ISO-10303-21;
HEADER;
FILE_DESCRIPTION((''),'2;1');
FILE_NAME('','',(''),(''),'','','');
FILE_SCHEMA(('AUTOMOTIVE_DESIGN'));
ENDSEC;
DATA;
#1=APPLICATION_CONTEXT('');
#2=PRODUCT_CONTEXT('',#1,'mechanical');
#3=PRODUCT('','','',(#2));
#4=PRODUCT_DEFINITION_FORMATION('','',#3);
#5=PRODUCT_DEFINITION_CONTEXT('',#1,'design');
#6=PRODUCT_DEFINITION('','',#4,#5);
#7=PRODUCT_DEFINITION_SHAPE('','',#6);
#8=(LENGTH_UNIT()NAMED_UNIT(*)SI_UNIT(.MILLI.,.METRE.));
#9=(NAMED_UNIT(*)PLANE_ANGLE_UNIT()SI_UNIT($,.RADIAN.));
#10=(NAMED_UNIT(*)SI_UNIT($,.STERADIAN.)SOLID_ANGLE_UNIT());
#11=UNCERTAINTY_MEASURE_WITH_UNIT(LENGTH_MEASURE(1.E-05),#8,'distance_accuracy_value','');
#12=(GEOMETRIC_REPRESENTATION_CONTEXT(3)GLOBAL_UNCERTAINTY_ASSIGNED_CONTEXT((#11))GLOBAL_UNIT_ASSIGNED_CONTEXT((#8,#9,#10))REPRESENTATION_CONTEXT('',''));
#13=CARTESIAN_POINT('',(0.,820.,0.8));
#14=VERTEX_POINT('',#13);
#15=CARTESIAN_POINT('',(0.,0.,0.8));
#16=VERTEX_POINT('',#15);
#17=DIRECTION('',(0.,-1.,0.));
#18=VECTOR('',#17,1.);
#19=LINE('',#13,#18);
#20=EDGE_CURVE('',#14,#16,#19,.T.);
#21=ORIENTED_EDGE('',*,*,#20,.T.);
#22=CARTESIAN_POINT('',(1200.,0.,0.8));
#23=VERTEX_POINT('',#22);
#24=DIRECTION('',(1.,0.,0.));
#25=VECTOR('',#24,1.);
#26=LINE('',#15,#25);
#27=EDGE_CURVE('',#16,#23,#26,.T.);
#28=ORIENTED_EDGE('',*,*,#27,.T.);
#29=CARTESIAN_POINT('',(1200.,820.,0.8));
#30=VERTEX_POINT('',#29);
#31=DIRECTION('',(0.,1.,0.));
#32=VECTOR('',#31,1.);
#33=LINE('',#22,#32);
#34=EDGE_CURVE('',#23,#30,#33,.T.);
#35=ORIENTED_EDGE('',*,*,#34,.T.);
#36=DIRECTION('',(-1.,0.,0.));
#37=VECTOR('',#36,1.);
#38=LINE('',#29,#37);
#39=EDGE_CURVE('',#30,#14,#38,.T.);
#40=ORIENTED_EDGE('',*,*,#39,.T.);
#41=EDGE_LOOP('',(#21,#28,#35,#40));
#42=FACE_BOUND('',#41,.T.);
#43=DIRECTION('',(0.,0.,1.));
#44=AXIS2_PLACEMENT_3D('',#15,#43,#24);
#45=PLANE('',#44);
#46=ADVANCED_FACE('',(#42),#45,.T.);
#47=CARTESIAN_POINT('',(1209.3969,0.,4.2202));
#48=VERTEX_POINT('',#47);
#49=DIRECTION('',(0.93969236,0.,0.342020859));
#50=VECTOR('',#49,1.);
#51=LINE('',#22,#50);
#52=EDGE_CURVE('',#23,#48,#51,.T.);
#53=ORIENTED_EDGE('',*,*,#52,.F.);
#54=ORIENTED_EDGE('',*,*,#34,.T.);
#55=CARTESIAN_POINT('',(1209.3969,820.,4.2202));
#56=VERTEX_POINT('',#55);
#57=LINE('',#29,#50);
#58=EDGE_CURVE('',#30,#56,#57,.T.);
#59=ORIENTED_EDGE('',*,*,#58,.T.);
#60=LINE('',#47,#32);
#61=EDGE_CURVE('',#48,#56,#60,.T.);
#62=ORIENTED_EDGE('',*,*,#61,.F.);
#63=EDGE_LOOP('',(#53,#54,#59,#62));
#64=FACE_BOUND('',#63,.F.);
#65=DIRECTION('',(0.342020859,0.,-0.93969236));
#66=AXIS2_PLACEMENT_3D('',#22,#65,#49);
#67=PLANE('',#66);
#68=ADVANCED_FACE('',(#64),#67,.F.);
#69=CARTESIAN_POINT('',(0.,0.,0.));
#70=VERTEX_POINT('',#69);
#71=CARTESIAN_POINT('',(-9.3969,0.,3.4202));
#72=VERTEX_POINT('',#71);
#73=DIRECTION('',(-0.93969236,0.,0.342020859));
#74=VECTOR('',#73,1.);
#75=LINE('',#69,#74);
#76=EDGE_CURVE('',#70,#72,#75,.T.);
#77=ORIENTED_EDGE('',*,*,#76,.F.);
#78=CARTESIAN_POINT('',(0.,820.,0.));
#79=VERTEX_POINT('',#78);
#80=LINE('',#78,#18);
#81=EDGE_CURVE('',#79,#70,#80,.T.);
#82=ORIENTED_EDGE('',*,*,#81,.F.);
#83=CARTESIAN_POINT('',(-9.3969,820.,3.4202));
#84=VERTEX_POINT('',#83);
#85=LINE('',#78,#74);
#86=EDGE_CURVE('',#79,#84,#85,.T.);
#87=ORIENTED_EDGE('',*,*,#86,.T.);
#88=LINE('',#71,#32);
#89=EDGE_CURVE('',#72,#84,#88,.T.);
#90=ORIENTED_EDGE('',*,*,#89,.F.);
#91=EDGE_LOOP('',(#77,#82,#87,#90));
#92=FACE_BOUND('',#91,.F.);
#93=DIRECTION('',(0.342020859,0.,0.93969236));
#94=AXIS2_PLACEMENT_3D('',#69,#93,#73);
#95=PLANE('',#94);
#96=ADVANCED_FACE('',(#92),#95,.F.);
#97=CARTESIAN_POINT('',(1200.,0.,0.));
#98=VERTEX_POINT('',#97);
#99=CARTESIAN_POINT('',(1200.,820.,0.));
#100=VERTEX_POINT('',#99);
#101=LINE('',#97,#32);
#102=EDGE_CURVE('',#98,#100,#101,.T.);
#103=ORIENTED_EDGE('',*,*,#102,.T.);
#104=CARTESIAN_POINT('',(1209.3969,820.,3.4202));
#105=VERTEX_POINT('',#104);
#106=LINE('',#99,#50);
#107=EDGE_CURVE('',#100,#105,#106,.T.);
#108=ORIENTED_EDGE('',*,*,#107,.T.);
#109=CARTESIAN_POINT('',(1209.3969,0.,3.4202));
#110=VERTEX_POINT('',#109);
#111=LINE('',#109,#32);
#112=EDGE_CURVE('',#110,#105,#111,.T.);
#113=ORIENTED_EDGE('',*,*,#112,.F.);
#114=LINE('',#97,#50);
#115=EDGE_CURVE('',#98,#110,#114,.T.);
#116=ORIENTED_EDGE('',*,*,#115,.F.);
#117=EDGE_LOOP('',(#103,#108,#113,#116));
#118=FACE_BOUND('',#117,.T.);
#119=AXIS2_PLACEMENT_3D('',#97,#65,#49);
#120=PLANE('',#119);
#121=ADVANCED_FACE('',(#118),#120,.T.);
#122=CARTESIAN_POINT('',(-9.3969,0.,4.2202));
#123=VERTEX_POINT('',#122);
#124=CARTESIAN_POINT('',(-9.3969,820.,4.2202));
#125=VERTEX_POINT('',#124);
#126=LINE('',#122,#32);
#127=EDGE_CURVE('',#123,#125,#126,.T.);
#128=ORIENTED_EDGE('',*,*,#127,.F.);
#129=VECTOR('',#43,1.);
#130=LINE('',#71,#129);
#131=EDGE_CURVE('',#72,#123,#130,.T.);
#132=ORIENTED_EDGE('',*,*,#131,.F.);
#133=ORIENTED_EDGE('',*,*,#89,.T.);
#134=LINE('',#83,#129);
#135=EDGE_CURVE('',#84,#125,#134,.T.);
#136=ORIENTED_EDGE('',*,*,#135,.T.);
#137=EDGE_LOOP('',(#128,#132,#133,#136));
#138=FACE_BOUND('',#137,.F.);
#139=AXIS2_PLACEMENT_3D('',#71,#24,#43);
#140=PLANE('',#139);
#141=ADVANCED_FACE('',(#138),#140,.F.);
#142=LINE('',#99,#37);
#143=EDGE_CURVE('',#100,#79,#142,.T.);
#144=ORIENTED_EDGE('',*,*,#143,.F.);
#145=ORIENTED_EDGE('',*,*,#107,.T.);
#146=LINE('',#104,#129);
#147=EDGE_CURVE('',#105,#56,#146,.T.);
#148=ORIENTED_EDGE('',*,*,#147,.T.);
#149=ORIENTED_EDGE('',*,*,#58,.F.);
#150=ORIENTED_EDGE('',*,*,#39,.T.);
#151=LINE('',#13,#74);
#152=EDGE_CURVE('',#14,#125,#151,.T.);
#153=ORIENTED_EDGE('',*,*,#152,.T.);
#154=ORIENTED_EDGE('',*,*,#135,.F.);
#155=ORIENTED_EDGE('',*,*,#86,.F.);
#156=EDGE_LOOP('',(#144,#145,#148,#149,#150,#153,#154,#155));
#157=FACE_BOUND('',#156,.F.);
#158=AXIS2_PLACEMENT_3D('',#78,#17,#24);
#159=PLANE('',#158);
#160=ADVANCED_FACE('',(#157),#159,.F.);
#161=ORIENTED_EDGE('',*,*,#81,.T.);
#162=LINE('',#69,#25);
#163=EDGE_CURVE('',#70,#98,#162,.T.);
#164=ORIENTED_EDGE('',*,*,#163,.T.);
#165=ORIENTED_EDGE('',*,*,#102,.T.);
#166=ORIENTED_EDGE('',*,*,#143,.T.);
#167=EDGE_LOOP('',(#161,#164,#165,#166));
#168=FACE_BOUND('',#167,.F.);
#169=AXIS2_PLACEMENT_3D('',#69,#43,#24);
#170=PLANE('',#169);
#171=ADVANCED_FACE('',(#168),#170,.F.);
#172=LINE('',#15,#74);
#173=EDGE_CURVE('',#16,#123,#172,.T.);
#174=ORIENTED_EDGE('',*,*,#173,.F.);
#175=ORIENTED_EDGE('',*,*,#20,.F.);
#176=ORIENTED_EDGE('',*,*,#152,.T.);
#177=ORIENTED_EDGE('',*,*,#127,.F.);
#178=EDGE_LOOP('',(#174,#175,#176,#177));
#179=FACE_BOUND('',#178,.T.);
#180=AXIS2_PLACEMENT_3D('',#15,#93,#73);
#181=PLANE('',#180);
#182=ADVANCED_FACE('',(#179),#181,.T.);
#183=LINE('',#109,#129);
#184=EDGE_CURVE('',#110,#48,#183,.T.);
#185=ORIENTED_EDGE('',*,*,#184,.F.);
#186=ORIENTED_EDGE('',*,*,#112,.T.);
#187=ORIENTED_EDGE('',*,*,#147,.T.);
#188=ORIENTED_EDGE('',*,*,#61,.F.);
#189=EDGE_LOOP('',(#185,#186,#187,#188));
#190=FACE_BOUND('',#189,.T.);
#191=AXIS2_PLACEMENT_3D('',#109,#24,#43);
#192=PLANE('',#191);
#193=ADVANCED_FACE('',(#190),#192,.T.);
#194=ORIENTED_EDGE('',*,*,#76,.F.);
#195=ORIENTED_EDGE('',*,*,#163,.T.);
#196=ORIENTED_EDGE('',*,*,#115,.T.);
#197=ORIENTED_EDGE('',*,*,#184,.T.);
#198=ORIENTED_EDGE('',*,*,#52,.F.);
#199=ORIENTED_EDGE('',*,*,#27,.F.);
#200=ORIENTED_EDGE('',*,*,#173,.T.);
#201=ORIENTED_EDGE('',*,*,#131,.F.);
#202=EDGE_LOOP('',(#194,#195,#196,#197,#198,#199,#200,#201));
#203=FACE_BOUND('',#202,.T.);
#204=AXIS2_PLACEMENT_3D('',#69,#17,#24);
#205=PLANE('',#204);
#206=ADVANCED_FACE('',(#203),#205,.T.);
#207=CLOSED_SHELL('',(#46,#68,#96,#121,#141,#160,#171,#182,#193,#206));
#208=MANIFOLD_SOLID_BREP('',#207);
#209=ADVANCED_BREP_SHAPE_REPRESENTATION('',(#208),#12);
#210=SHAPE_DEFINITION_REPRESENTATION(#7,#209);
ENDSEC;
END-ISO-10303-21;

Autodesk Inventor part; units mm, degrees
ref_plane "YZ Plane" through (0, 0, 0) normal (1, 0, 0) x (0, 1, 0)
ref_plane "XZ Plane" through (0, 0, 0) normal (0, 1, 0) x (-1, 0, 0)
ref_plane "XY Plane" through (0, 0, 0) normal (0, 0, 1) x (1, 0, 0)
sketch "Sketch1" plane through (0, 0, 0) normal (0, 0, 1) x (1, 0, 0)
  line L0 (0, 0) -> (1200, 0)
  line L1 (1200, 0) -> (1200, 820)
  line L2 (1200, 820) -> (0, 820)
  line L3 (0, 820) -> (0, 0)
  dimension "d0" = 820
  dimension "d1" = 1200
extrude "Extrusion1" add sketch "Sketch1" along normal blind 0.8
sketch "Sketch4" plane through (0, 0, 0) normal (0, -1, 0) x (1, 0, 0)
  line L0 (1200, 0) -> (0, 0) projected
  line L1 (0, 0) -> (-9.3969, 3.4202)
  line L2 (0, 0) -> (0, 0.8) projected
  line L3 (0, 0.8) -> (-9.3969, 4.2202)
  line L4 (-9.3969, 3.4202) -> (-9.3969, 4.2202)
  dimension "d16" = 70
  dimension "d17" = 10
  dimension "d18" = 70
  dimension "d19" = 10
extrude "Extrusion4" add sketch "Sketch4" against normal up to surface (820 mm away)
sketch "Sketch5" plane through (0, 0, 0) normal (0, -1, 0) x (1, 0, 0)
  line L0 (1200, 0) -> (1200, 0.8) projected
  line L1 (1200, 0) -> (1209.3969, 3.4202)
  line L2 (1200, 0.8) -> (1209.3969, 4.2202)
  line L3 (1209.3969, 3.4202) -> (1209.3969, 4.2202)
  point P0 (0, 0)
  dimension "d22" = 70
  dimension "d23" = 10
  dimension "d24" = 70
  dimension "d25" = 10
extrude "Extrusion5" add sketch "Sketch5" against normal up to surface (820 mm away)
sketch "Sketch7" plane through (0, 0, 0.8) normal (0, 0, 1) x (1, 0, 0)
  circle A0 centre (56.6674, 837.4999) radius 7.5 projected
  line L0 (19.1715, 870) -> (19.1715, -50) projected
  circle A1 centre (1126.6715, 837.4999) radius 7.5
  line L1 (1159.1715, 870) -> (1159.1715, -50) projected
  point P0 (0, 0)
  dimension "d30" = 15
  dimension "d31" = 32.5
extrude "Extrusion6" cut sketch "Sketch7" against normal blind 10
ref_plane "Work Plane2" through (0, 410, 0) normal (0, -1, 0) x (1, 0, 0)
mirror "Mirror2" about plane through (0, 410, 0) normal (0, -1, 0) of "Extrusion6"
properties part number "Ke_Bang_Tai"
